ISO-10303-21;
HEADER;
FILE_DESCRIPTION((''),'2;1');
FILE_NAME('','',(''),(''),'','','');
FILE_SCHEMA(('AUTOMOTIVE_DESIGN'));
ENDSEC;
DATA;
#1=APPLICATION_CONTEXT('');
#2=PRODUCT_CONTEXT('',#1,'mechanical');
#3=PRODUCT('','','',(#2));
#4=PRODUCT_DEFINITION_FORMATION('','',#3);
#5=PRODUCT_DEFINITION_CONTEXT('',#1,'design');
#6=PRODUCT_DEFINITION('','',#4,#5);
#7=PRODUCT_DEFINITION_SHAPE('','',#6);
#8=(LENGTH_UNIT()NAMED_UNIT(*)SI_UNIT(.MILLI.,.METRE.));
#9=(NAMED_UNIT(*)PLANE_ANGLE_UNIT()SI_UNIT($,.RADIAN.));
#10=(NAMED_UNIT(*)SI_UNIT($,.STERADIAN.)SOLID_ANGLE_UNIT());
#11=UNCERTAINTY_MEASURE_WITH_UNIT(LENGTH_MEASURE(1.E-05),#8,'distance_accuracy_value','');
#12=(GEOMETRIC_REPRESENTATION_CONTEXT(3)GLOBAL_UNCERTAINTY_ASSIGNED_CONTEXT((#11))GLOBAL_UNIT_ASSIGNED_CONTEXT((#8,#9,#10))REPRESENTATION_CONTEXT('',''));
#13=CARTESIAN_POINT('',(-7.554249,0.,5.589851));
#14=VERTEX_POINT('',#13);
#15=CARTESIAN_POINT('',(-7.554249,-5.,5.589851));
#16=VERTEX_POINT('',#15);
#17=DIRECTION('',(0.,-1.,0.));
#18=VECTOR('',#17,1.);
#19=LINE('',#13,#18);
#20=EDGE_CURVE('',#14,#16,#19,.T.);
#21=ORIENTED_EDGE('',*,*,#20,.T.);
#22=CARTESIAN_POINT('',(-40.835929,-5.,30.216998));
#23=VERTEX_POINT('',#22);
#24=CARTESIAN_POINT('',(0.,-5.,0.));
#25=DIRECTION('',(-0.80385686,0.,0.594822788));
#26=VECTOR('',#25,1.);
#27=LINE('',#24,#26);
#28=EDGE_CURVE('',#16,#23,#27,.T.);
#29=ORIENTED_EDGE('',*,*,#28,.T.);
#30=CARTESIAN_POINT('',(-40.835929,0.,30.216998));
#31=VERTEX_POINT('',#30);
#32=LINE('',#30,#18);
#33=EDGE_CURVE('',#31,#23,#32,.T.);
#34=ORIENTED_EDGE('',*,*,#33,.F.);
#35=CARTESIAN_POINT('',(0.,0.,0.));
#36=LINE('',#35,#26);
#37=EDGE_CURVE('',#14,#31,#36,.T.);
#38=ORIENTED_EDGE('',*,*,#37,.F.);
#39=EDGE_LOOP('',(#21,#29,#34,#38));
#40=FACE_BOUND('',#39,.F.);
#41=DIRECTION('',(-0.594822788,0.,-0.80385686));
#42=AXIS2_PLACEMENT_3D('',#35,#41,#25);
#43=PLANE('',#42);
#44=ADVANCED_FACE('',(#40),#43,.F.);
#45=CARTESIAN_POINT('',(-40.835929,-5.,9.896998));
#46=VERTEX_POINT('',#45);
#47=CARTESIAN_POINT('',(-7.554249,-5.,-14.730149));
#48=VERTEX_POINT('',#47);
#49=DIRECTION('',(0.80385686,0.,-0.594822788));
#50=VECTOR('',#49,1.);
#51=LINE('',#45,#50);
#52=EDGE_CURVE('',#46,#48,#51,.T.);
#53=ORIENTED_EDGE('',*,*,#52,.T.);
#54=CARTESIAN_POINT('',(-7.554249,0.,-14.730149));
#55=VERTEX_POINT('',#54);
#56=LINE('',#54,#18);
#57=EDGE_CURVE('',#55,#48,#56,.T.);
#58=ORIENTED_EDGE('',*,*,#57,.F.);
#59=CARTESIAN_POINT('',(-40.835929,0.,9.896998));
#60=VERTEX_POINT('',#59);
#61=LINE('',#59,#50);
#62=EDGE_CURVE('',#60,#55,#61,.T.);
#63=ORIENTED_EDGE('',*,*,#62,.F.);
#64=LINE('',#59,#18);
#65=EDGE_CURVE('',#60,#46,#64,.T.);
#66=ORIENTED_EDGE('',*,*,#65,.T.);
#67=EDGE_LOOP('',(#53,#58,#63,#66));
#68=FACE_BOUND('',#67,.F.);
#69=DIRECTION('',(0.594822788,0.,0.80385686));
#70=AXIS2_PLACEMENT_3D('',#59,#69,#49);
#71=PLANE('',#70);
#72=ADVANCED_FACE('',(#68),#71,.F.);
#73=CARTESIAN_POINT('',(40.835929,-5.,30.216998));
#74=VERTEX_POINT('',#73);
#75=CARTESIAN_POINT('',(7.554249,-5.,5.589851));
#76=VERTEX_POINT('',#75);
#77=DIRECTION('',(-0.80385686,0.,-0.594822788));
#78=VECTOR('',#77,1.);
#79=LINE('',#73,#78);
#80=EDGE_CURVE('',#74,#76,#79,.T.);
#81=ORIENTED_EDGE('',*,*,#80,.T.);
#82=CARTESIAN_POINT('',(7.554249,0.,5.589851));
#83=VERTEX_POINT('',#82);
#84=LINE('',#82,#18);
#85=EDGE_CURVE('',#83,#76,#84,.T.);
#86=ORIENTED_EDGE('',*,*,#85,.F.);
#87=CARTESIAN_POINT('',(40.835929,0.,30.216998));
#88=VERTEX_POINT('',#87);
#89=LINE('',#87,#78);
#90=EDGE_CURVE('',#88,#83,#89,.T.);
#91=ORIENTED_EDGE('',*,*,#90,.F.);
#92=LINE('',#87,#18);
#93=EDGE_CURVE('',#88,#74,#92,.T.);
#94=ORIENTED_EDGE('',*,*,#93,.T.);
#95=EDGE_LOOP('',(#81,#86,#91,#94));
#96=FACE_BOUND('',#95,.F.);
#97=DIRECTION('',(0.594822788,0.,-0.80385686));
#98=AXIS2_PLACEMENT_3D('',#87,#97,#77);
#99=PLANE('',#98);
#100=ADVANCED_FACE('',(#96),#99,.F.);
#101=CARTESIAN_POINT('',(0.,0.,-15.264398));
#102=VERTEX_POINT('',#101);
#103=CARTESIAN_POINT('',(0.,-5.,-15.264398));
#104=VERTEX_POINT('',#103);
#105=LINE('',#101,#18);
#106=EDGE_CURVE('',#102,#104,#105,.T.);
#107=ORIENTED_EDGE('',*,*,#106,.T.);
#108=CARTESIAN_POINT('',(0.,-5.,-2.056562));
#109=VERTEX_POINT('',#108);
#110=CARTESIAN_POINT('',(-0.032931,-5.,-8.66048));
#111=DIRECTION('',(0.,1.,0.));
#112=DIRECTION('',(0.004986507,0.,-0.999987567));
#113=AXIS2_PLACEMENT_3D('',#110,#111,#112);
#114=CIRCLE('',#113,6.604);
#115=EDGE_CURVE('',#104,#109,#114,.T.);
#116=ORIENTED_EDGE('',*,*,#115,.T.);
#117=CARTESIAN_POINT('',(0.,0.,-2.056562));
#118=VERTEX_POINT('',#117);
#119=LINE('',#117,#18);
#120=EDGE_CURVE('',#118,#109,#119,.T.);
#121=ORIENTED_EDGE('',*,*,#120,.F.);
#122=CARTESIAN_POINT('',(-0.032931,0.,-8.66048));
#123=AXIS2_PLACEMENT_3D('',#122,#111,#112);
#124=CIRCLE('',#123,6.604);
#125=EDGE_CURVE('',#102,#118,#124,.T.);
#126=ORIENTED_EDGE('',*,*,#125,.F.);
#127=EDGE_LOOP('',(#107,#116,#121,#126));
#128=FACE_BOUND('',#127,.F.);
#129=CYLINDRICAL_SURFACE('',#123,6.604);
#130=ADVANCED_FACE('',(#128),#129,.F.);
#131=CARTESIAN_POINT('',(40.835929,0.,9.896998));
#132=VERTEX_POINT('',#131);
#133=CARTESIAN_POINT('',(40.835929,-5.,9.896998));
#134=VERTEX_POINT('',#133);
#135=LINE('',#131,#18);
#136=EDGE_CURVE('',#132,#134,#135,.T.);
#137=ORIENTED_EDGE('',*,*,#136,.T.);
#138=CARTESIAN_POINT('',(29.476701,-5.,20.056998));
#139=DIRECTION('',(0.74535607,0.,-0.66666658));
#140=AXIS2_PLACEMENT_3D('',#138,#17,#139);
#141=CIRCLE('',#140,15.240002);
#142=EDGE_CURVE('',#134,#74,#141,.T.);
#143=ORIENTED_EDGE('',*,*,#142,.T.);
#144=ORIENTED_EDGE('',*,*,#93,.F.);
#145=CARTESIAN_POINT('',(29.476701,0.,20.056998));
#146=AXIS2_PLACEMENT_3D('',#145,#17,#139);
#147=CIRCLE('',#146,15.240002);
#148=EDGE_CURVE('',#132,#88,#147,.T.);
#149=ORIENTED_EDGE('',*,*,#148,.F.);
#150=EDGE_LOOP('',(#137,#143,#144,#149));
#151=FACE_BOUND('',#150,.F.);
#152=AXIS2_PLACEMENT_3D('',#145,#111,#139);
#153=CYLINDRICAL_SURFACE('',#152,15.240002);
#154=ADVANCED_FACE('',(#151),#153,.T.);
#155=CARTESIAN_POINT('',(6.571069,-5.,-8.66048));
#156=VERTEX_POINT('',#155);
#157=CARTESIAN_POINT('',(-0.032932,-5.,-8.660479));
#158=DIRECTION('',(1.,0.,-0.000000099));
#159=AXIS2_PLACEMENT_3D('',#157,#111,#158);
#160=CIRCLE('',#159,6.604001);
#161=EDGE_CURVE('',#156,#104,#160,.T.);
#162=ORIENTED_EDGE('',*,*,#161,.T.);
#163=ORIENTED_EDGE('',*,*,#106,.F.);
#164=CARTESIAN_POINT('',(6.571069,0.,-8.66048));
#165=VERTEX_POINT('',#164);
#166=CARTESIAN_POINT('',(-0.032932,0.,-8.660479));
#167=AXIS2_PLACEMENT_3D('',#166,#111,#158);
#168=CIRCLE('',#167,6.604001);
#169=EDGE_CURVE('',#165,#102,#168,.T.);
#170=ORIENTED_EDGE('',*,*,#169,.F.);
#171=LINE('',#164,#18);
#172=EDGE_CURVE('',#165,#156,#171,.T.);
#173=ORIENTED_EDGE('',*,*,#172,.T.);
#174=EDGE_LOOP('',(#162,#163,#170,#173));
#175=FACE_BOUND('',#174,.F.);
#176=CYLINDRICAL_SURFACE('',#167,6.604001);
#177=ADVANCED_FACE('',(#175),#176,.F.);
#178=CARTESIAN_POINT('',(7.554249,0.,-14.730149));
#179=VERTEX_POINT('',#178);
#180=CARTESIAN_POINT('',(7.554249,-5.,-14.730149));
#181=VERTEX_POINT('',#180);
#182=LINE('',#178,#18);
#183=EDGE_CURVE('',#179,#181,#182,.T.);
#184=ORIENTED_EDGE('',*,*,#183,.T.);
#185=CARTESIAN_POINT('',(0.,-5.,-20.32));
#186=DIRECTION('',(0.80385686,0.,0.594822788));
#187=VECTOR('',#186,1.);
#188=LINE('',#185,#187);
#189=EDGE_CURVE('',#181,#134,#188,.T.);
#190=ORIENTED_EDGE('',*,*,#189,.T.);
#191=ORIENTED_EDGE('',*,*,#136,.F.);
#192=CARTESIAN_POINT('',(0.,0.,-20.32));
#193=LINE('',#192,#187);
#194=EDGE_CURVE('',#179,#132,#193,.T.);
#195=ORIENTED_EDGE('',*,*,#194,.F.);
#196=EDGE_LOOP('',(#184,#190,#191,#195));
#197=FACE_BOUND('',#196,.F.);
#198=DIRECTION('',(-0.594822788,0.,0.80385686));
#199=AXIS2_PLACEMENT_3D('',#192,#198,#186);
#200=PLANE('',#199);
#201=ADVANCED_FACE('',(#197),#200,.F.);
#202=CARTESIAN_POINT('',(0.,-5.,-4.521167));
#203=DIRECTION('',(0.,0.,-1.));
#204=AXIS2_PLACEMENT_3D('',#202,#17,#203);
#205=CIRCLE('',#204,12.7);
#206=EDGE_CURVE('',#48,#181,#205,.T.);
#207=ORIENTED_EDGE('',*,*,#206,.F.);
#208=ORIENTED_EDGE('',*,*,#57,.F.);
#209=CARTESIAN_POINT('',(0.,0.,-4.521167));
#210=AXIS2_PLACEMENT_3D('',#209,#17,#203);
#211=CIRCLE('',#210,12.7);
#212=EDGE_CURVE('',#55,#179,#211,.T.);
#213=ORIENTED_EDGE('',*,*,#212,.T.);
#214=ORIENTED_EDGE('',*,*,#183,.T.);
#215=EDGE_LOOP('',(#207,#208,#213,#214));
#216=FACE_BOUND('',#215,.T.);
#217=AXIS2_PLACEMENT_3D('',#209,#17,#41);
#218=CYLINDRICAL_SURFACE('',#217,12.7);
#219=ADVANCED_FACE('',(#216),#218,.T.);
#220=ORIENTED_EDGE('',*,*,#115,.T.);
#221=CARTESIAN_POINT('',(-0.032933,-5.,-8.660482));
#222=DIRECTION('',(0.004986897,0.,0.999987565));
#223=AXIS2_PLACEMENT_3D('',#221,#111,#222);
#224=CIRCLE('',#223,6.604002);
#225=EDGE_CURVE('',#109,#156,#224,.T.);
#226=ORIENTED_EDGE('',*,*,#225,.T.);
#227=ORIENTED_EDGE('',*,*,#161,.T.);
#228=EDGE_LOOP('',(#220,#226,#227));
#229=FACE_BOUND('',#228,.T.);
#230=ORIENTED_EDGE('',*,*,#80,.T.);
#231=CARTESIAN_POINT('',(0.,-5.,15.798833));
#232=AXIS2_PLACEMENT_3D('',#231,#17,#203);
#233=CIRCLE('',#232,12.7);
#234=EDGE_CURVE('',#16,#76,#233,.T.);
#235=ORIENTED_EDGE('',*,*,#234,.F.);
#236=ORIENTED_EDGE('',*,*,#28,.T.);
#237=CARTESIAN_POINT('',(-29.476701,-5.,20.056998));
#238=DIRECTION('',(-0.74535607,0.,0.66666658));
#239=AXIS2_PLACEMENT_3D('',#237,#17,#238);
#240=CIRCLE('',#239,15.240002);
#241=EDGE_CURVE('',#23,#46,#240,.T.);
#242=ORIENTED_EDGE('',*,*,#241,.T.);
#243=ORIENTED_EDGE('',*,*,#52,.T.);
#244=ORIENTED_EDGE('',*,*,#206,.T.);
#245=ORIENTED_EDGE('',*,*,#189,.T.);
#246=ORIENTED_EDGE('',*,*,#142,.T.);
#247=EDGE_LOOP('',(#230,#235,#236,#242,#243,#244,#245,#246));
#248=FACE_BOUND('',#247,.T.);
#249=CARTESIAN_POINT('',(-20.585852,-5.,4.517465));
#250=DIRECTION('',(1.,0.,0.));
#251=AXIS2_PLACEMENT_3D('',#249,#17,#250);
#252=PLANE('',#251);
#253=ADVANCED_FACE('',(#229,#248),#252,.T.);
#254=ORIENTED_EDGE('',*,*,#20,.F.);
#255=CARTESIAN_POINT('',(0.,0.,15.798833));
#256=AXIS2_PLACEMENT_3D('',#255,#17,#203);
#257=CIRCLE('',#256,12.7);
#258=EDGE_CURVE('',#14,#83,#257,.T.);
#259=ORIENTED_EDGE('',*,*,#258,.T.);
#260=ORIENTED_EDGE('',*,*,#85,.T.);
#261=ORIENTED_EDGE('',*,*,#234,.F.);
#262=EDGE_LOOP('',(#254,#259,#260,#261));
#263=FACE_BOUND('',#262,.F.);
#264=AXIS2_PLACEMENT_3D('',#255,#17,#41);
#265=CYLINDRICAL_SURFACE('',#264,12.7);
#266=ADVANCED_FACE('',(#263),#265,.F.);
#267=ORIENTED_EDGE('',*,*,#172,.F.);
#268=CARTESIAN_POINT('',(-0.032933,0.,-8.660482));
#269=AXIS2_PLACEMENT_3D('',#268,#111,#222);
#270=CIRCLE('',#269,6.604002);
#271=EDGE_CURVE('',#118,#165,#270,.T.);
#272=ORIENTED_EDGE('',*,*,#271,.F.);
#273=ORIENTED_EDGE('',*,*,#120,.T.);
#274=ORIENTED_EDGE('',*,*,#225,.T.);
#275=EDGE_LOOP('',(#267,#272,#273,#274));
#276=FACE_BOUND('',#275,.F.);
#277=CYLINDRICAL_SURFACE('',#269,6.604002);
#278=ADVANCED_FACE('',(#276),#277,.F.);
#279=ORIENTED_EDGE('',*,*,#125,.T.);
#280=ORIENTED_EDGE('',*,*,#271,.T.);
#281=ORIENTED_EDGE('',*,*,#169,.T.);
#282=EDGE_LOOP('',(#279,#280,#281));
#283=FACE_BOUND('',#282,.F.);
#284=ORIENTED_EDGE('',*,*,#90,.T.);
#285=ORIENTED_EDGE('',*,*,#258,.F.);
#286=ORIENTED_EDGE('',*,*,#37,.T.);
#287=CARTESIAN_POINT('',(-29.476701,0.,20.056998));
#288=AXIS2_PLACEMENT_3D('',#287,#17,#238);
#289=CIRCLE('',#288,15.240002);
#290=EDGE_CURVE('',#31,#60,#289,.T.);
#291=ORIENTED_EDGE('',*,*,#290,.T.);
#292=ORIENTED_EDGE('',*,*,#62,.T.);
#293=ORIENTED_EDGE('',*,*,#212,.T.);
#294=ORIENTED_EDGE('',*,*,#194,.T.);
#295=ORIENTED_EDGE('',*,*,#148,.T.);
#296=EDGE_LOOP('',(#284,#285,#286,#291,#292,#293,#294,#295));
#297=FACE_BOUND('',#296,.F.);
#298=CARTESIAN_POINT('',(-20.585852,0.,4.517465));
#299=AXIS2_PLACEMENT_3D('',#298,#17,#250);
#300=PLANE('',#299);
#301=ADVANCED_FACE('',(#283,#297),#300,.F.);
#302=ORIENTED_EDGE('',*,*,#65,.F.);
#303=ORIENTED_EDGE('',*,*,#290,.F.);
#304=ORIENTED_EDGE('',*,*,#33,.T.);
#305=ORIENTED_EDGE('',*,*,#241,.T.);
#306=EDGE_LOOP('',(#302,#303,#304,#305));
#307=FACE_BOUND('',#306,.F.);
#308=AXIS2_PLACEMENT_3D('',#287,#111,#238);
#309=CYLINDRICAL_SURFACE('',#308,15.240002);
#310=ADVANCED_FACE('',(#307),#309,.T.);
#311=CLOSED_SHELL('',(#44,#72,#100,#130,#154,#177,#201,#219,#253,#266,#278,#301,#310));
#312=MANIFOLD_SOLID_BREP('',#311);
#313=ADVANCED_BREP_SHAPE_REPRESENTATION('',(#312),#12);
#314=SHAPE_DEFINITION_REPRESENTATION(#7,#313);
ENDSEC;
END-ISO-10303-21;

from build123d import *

# Parameters (mm, degrees)
F1_DEPTH = 5
F2_R     = 12.7


with BuildPart() as f1:
    # F0 (on Front) → F1 (new body)
    with BuildSketch(Plane.XZ):
        with BuildLine():
            Line((0, -2.056562), (0, 0))
            Line((0, 0), (-40.835929, 30.216998))
            ThreePointArc((-40.835929, 30.216998), (-44.716703, 20.056998), (-40.835929, 9.896998))
            Line((-40.835929, 9.896998), (0, -20.32))
            Line((0, -20.32), (0, -15.264398))
            ThreePointArc((0, -15.264398), (-6.636931, -8.66048), (0, -2.056562))
        make_face()
        with BuildLine():
            Line((40.835929, 30.216998), (0, 0))
            Line((0, 0), (0, -2.056562))
            ThreePointArc((0, -2.056562), (4.64843, -4.002405), (6.571069, -8.66048))
            ThreePointArc((6.571069, -8.66048), (4.64843, -13.318556), (0, -15.264398))
            Line((0, -15.264398), (0, -20.32))
            Line((0, -20.32), (40.835929, 9.896998))
            ThreePointArc((40.835929, 9.896998), (44.716703, 20.056998), (40.835929, 30.216998))
        make_face()
    extrude(amount=F1_DEPTH)

    # F2
    f2_edges = [f1.edges().sort_by_distance(p)[0] for p in [
        (0, -2.5, -20.32),
        (0, -2.5, 0),
    ]]
    fillet(f2_edges, radius=F2_R)


solid = f1.part
